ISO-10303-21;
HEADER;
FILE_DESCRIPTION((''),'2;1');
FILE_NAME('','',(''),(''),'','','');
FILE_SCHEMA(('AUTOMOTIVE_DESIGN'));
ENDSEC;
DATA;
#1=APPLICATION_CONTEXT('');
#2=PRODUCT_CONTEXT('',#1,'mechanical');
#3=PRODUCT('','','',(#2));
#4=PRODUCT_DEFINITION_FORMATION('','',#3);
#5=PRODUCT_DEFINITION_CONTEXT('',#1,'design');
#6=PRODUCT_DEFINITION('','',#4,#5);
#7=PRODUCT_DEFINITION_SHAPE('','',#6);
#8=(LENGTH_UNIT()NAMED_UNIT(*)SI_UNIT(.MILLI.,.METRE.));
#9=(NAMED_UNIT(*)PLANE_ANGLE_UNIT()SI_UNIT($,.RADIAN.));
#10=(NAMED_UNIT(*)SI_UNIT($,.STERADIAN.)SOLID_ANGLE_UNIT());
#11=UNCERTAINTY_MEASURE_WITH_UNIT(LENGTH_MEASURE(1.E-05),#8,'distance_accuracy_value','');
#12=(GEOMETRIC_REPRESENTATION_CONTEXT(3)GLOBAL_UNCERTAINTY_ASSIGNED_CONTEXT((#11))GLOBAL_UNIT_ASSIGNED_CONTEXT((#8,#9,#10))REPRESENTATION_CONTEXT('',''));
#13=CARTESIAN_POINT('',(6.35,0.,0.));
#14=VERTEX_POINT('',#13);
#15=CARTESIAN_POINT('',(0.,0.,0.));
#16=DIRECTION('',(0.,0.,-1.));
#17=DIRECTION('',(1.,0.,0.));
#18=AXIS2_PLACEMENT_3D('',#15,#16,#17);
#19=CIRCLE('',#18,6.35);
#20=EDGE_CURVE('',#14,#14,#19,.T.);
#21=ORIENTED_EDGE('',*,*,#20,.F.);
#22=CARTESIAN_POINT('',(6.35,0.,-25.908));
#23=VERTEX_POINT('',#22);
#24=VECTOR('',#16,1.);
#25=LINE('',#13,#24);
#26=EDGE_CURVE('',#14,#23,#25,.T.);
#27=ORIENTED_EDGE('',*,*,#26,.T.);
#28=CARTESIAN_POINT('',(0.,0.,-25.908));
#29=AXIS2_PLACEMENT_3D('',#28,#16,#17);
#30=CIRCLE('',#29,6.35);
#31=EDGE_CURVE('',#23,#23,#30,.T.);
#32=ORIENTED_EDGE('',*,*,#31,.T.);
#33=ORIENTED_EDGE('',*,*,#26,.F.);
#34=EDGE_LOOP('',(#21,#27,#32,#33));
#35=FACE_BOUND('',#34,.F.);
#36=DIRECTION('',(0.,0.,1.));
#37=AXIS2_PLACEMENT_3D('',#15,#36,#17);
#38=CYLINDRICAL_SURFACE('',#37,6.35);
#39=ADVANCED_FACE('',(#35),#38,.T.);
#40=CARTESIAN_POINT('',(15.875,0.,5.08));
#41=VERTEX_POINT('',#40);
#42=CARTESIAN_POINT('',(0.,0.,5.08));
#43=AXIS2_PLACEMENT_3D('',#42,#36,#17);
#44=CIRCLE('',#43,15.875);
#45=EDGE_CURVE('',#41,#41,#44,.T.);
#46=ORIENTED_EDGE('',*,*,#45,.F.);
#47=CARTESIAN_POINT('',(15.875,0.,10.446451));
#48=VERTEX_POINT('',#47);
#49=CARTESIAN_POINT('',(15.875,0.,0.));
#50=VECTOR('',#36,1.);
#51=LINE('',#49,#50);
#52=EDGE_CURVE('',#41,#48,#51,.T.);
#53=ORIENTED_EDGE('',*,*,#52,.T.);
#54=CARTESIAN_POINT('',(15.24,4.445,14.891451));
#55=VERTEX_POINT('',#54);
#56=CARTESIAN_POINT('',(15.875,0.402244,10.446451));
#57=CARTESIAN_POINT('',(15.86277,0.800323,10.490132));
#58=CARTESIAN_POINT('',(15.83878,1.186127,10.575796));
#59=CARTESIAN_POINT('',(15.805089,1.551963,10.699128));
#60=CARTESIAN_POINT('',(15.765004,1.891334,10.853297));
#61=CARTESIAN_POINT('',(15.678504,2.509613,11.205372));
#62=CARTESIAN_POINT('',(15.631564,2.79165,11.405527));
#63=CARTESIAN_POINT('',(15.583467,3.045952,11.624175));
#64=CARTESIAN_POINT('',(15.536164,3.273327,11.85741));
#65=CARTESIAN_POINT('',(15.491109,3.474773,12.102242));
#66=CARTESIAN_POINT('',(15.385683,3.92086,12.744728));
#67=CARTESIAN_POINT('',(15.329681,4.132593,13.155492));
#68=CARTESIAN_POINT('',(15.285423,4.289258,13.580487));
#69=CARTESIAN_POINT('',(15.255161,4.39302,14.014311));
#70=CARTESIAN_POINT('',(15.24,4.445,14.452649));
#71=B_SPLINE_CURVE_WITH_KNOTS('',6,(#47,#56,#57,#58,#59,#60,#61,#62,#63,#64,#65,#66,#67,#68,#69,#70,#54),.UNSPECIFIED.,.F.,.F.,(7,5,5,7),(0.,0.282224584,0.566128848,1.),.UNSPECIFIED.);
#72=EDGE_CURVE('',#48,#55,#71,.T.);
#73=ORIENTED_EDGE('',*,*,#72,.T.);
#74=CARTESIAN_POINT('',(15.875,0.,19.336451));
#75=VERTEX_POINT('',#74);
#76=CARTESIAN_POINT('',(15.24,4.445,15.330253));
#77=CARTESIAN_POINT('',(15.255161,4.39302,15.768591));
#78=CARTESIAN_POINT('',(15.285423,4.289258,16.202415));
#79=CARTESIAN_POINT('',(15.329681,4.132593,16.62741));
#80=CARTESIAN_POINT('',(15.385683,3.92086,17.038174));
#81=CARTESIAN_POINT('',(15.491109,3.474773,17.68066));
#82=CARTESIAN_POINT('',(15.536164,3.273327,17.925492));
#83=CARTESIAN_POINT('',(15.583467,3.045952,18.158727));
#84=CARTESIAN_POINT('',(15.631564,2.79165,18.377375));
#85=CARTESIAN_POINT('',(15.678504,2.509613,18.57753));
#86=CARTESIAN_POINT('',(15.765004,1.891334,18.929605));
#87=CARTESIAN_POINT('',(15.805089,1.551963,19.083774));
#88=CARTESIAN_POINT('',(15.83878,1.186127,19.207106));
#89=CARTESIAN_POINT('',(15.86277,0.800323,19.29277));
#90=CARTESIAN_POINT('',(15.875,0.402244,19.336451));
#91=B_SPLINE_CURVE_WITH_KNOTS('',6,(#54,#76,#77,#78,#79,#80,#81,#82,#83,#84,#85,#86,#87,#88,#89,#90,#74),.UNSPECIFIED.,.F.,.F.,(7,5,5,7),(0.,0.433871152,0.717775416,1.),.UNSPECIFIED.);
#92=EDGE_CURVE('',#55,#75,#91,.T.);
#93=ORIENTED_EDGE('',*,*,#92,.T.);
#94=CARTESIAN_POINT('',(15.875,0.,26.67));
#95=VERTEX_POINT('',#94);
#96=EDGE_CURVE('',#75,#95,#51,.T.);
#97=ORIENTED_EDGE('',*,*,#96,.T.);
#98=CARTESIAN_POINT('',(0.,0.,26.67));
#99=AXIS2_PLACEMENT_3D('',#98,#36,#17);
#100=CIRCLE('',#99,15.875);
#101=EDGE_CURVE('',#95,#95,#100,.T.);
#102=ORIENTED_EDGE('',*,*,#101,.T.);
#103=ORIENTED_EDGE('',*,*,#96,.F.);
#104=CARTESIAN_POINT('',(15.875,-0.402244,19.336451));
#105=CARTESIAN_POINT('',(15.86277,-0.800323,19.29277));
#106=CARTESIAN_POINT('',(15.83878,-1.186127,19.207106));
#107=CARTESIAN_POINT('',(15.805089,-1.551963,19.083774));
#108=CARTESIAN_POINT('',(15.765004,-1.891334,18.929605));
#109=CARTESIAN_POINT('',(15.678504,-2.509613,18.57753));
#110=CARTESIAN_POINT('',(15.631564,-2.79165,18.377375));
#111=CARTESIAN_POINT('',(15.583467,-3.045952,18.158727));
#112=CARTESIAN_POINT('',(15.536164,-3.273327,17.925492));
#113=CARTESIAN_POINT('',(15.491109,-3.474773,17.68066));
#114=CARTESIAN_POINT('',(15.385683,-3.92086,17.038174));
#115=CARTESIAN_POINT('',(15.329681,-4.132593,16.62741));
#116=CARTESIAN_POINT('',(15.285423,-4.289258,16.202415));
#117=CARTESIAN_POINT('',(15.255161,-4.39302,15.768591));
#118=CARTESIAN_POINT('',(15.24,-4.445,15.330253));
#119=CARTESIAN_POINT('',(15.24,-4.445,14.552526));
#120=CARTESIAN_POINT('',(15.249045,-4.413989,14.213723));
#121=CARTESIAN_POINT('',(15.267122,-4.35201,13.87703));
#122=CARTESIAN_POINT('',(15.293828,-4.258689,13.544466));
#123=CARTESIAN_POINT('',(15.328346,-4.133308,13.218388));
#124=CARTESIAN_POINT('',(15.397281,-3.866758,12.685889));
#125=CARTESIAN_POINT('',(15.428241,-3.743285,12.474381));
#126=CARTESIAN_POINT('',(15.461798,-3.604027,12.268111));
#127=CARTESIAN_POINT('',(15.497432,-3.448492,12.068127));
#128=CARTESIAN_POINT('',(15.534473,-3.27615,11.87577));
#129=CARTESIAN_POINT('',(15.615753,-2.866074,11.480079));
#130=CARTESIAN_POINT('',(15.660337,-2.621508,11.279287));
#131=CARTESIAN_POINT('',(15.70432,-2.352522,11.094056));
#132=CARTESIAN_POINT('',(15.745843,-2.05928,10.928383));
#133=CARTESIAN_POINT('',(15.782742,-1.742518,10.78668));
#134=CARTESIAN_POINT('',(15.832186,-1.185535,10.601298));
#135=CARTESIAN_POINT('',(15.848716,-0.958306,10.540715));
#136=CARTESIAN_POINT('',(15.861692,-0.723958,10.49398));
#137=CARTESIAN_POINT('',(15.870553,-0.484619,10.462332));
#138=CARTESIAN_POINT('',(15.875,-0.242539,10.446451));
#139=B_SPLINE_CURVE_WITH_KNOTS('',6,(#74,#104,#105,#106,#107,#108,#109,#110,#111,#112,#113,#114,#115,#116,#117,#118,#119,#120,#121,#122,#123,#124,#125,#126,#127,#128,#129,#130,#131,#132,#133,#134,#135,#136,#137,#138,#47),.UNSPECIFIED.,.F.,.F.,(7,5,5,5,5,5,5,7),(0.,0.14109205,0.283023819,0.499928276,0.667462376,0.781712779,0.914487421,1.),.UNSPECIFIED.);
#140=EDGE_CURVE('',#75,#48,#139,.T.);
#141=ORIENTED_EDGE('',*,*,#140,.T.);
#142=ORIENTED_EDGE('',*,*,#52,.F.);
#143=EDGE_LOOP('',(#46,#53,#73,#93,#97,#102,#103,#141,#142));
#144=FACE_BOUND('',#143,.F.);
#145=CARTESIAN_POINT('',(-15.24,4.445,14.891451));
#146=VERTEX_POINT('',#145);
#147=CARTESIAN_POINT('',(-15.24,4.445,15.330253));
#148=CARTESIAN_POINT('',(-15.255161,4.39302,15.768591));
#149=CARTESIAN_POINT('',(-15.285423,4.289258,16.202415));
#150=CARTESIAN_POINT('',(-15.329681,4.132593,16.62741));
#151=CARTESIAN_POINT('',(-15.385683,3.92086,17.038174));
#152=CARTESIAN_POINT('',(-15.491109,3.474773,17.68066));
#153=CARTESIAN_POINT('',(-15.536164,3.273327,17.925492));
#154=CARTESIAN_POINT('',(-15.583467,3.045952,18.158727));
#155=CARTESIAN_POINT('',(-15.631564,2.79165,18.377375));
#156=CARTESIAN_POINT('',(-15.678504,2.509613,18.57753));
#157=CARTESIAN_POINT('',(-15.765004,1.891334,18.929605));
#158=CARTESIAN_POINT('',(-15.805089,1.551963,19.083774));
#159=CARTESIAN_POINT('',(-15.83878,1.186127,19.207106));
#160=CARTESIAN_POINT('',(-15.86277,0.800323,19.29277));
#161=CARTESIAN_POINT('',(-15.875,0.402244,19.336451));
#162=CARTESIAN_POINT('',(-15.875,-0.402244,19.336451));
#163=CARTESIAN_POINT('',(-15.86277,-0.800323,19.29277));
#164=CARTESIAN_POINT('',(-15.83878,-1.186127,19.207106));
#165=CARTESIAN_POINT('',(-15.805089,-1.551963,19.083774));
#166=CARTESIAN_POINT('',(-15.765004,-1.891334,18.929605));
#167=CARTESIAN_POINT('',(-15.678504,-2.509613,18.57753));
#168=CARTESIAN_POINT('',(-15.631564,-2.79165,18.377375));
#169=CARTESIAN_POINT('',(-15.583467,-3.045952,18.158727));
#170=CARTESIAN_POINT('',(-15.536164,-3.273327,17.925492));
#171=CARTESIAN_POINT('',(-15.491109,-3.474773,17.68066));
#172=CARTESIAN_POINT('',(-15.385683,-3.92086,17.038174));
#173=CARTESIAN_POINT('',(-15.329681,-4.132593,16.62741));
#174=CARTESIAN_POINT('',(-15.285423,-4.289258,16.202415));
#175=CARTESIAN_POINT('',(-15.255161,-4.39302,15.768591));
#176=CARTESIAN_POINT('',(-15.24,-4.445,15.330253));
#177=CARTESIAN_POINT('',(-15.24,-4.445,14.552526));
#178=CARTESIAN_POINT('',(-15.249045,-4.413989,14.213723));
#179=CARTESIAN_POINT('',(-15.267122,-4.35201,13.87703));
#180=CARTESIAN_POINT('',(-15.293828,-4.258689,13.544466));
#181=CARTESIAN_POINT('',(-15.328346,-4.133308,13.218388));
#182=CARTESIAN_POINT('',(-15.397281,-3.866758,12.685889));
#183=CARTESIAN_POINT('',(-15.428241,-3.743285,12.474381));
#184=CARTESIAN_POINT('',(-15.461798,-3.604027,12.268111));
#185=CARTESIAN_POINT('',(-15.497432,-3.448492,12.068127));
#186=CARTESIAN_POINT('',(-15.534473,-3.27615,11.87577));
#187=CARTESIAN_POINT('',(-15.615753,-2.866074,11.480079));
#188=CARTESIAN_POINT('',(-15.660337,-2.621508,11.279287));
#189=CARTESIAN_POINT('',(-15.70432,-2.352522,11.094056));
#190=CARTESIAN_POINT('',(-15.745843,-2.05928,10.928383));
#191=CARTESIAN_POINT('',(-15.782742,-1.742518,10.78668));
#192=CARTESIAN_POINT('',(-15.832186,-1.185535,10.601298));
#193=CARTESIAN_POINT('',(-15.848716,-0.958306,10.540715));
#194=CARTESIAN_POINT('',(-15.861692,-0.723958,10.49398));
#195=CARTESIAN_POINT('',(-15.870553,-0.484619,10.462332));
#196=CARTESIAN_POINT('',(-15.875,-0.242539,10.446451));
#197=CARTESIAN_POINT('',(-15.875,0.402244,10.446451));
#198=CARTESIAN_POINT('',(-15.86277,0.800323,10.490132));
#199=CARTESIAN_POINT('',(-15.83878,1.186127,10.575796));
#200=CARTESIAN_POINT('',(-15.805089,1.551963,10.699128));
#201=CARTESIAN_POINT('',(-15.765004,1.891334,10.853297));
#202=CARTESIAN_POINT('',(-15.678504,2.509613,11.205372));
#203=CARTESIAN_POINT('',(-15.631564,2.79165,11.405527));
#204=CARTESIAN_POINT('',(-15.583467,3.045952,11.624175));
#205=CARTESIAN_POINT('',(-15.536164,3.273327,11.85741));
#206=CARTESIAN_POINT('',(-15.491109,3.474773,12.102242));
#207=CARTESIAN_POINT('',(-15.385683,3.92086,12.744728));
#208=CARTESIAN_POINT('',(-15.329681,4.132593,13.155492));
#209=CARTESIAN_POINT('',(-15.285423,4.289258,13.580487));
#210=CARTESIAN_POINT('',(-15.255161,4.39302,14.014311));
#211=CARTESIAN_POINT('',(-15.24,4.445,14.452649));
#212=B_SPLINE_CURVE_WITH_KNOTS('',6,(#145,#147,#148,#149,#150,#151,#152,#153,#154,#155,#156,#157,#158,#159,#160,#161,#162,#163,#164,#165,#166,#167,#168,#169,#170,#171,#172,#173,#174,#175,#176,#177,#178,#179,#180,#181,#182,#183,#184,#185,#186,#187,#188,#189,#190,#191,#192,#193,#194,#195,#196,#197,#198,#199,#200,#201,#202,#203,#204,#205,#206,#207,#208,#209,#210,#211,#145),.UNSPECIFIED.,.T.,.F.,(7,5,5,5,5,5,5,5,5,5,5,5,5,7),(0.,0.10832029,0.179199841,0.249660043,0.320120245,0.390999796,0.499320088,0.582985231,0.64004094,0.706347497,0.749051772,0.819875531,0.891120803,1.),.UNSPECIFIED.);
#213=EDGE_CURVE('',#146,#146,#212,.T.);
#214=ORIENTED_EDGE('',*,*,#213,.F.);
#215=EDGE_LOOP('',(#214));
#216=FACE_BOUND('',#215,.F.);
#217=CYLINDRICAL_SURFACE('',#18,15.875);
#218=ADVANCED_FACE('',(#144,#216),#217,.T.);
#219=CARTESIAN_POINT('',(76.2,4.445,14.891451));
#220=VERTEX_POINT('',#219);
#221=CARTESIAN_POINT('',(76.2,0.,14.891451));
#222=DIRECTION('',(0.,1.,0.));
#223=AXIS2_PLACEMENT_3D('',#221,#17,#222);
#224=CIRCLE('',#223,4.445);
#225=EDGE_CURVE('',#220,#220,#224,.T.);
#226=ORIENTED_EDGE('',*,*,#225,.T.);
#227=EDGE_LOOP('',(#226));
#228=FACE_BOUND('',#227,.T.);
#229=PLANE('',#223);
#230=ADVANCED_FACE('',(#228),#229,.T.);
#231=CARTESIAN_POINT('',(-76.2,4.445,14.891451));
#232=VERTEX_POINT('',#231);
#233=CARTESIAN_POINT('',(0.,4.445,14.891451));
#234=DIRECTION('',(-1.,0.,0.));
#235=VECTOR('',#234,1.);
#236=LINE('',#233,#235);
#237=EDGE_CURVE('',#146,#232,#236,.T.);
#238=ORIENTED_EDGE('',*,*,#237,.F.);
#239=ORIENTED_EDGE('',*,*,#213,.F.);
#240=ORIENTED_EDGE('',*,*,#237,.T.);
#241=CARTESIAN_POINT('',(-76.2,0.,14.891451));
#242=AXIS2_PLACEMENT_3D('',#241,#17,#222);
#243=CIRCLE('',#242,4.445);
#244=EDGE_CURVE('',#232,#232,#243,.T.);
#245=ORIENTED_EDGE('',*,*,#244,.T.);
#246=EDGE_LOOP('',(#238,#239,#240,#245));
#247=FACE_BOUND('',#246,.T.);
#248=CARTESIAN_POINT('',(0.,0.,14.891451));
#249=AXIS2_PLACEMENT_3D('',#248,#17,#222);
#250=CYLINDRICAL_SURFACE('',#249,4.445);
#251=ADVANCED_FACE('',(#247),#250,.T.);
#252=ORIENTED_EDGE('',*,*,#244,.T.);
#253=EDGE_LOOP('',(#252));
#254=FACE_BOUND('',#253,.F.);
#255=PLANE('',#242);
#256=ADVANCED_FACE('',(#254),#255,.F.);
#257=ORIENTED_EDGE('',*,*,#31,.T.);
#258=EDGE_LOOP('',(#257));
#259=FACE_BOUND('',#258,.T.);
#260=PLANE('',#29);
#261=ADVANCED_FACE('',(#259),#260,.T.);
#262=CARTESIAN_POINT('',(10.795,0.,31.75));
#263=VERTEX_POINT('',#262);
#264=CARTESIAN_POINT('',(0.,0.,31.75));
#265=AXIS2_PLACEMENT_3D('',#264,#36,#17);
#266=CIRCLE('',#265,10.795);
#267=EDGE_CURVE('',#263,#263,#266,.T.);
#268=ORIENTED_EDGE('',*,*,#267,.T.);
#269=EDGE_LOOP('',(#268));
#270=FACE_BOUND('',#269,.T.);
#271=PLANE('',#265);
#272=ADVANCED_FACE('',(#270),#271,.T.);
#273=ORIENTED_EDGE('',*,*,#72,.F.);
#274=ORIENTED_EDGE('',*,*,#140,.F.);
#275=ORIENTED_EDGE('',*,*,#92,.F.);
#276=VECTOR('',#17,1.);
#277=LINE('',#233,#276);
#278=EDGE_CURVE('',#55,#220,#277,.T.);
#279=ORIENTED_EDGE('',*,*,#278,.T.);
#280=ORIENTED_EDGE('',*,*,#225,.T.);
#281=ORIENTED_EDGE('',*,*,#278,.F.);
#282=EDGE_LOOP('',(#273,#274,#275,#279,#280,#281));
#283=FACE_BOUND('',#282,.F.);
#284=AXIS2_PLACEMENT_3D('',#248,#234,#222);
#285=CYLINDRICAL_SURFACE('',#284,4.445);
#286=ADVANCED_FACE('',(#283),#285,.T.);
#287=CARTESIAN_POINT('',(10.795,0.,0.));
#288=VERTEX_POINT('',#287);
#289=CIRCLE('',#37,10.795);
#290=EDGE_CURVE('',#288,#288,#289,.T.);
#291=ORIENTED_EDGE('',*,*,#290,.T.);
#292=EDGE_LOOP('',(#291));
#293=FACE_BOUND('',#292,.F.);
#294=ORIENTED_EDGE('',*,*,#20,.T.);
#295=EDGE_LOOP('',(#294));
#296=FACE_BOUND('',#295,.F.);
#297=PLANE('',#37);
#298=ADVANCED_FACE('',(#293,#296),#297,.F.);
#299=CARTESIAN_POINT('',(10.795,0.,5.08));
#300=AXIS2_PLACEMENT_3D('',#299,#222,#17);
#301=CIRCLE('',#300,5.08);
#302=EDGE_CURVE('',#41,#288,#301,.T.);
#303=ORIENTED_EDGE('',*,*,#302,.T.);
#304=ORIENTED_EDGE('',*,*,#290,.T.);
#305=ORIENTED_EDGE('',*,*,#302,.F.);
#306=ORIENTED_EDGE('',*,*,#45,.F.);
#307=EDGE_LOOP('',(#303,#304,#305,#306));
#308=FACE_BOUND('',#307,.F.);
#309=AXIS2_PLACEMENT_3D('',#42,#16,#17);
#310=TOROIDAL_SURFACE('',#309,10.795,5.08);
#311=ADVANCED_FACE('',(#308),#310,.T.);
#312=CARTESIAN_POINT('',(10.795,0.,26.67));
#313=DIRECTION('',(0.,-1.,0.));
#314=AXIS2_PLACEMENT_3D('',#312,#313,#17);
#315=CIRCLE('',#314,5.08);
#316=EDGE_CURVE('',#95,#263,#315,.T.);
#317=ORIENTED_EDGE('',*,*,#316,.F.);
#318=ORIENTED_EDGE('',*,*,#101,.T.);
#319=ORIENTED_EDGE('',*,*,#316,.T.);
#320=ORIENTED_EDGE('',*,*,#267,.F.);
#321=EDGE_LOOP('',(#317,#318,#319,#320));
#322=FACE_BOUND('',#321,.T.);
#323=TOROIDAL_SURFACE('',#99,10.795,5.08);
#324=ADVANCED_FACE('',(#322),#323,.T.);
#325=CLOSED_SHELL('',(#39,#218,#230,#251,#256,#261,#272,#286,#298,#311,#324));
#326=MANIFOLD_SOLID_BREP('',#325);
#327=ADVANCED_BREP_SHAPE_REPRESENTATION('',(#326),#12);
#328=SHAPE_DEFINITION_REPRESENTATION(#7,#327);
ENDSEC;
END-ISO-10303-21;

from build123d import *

# Parameters (mm, degrees)
F0_R     = 15.875
F1_DEPTH = 31.75
F2_R     = 4.445
F3_DEPTH = 76.2
F4_R     = 4.445
F5_DEPTH = 76.2
F6_R     = 6.35
F7_DEPTH = 25.908
F8_R     = 5.08


with BuildPart() as f1:
    # F0 (on Top) → F1 (new body)
    with BuildSketch(Plane.XY):
        Circle(F0_R)
    extrude(amount=F1_DEPTH)

    # F2 (on Right) → F3 (join)
    with BuildSketch(Plane.YZ):
        with Locations((0, 14.891451)):
            Circle(F2_R)
    extrude(amount=F3_DEPTH)

    # F4 (on Right) → F5 (join)
    with BuildSketch(Plane.YZ):
        with Locations((0, 14.891451)):
            Circle(F4_R)
    extrude(amount=-F5_DEPTH)

    # F6 (on face) → F7 (join)
    with BuildSketch(Plane(origin=(0, 0, 0), x_dir=(1, 0, 0), z_dir=(0, 0, -1))):
        Circle(F6_R)
    extrude(amount=F7_DEPTH)

    # F8
    f8_edges = [f1.edges().sort_by_distance(p)[0] for p in [
        (-15.875, 0, 31.75),
        (-15.875, 0, 0),
    ]]
    fillet(f8_edges, radius=F8_R)


solid = f1.part
